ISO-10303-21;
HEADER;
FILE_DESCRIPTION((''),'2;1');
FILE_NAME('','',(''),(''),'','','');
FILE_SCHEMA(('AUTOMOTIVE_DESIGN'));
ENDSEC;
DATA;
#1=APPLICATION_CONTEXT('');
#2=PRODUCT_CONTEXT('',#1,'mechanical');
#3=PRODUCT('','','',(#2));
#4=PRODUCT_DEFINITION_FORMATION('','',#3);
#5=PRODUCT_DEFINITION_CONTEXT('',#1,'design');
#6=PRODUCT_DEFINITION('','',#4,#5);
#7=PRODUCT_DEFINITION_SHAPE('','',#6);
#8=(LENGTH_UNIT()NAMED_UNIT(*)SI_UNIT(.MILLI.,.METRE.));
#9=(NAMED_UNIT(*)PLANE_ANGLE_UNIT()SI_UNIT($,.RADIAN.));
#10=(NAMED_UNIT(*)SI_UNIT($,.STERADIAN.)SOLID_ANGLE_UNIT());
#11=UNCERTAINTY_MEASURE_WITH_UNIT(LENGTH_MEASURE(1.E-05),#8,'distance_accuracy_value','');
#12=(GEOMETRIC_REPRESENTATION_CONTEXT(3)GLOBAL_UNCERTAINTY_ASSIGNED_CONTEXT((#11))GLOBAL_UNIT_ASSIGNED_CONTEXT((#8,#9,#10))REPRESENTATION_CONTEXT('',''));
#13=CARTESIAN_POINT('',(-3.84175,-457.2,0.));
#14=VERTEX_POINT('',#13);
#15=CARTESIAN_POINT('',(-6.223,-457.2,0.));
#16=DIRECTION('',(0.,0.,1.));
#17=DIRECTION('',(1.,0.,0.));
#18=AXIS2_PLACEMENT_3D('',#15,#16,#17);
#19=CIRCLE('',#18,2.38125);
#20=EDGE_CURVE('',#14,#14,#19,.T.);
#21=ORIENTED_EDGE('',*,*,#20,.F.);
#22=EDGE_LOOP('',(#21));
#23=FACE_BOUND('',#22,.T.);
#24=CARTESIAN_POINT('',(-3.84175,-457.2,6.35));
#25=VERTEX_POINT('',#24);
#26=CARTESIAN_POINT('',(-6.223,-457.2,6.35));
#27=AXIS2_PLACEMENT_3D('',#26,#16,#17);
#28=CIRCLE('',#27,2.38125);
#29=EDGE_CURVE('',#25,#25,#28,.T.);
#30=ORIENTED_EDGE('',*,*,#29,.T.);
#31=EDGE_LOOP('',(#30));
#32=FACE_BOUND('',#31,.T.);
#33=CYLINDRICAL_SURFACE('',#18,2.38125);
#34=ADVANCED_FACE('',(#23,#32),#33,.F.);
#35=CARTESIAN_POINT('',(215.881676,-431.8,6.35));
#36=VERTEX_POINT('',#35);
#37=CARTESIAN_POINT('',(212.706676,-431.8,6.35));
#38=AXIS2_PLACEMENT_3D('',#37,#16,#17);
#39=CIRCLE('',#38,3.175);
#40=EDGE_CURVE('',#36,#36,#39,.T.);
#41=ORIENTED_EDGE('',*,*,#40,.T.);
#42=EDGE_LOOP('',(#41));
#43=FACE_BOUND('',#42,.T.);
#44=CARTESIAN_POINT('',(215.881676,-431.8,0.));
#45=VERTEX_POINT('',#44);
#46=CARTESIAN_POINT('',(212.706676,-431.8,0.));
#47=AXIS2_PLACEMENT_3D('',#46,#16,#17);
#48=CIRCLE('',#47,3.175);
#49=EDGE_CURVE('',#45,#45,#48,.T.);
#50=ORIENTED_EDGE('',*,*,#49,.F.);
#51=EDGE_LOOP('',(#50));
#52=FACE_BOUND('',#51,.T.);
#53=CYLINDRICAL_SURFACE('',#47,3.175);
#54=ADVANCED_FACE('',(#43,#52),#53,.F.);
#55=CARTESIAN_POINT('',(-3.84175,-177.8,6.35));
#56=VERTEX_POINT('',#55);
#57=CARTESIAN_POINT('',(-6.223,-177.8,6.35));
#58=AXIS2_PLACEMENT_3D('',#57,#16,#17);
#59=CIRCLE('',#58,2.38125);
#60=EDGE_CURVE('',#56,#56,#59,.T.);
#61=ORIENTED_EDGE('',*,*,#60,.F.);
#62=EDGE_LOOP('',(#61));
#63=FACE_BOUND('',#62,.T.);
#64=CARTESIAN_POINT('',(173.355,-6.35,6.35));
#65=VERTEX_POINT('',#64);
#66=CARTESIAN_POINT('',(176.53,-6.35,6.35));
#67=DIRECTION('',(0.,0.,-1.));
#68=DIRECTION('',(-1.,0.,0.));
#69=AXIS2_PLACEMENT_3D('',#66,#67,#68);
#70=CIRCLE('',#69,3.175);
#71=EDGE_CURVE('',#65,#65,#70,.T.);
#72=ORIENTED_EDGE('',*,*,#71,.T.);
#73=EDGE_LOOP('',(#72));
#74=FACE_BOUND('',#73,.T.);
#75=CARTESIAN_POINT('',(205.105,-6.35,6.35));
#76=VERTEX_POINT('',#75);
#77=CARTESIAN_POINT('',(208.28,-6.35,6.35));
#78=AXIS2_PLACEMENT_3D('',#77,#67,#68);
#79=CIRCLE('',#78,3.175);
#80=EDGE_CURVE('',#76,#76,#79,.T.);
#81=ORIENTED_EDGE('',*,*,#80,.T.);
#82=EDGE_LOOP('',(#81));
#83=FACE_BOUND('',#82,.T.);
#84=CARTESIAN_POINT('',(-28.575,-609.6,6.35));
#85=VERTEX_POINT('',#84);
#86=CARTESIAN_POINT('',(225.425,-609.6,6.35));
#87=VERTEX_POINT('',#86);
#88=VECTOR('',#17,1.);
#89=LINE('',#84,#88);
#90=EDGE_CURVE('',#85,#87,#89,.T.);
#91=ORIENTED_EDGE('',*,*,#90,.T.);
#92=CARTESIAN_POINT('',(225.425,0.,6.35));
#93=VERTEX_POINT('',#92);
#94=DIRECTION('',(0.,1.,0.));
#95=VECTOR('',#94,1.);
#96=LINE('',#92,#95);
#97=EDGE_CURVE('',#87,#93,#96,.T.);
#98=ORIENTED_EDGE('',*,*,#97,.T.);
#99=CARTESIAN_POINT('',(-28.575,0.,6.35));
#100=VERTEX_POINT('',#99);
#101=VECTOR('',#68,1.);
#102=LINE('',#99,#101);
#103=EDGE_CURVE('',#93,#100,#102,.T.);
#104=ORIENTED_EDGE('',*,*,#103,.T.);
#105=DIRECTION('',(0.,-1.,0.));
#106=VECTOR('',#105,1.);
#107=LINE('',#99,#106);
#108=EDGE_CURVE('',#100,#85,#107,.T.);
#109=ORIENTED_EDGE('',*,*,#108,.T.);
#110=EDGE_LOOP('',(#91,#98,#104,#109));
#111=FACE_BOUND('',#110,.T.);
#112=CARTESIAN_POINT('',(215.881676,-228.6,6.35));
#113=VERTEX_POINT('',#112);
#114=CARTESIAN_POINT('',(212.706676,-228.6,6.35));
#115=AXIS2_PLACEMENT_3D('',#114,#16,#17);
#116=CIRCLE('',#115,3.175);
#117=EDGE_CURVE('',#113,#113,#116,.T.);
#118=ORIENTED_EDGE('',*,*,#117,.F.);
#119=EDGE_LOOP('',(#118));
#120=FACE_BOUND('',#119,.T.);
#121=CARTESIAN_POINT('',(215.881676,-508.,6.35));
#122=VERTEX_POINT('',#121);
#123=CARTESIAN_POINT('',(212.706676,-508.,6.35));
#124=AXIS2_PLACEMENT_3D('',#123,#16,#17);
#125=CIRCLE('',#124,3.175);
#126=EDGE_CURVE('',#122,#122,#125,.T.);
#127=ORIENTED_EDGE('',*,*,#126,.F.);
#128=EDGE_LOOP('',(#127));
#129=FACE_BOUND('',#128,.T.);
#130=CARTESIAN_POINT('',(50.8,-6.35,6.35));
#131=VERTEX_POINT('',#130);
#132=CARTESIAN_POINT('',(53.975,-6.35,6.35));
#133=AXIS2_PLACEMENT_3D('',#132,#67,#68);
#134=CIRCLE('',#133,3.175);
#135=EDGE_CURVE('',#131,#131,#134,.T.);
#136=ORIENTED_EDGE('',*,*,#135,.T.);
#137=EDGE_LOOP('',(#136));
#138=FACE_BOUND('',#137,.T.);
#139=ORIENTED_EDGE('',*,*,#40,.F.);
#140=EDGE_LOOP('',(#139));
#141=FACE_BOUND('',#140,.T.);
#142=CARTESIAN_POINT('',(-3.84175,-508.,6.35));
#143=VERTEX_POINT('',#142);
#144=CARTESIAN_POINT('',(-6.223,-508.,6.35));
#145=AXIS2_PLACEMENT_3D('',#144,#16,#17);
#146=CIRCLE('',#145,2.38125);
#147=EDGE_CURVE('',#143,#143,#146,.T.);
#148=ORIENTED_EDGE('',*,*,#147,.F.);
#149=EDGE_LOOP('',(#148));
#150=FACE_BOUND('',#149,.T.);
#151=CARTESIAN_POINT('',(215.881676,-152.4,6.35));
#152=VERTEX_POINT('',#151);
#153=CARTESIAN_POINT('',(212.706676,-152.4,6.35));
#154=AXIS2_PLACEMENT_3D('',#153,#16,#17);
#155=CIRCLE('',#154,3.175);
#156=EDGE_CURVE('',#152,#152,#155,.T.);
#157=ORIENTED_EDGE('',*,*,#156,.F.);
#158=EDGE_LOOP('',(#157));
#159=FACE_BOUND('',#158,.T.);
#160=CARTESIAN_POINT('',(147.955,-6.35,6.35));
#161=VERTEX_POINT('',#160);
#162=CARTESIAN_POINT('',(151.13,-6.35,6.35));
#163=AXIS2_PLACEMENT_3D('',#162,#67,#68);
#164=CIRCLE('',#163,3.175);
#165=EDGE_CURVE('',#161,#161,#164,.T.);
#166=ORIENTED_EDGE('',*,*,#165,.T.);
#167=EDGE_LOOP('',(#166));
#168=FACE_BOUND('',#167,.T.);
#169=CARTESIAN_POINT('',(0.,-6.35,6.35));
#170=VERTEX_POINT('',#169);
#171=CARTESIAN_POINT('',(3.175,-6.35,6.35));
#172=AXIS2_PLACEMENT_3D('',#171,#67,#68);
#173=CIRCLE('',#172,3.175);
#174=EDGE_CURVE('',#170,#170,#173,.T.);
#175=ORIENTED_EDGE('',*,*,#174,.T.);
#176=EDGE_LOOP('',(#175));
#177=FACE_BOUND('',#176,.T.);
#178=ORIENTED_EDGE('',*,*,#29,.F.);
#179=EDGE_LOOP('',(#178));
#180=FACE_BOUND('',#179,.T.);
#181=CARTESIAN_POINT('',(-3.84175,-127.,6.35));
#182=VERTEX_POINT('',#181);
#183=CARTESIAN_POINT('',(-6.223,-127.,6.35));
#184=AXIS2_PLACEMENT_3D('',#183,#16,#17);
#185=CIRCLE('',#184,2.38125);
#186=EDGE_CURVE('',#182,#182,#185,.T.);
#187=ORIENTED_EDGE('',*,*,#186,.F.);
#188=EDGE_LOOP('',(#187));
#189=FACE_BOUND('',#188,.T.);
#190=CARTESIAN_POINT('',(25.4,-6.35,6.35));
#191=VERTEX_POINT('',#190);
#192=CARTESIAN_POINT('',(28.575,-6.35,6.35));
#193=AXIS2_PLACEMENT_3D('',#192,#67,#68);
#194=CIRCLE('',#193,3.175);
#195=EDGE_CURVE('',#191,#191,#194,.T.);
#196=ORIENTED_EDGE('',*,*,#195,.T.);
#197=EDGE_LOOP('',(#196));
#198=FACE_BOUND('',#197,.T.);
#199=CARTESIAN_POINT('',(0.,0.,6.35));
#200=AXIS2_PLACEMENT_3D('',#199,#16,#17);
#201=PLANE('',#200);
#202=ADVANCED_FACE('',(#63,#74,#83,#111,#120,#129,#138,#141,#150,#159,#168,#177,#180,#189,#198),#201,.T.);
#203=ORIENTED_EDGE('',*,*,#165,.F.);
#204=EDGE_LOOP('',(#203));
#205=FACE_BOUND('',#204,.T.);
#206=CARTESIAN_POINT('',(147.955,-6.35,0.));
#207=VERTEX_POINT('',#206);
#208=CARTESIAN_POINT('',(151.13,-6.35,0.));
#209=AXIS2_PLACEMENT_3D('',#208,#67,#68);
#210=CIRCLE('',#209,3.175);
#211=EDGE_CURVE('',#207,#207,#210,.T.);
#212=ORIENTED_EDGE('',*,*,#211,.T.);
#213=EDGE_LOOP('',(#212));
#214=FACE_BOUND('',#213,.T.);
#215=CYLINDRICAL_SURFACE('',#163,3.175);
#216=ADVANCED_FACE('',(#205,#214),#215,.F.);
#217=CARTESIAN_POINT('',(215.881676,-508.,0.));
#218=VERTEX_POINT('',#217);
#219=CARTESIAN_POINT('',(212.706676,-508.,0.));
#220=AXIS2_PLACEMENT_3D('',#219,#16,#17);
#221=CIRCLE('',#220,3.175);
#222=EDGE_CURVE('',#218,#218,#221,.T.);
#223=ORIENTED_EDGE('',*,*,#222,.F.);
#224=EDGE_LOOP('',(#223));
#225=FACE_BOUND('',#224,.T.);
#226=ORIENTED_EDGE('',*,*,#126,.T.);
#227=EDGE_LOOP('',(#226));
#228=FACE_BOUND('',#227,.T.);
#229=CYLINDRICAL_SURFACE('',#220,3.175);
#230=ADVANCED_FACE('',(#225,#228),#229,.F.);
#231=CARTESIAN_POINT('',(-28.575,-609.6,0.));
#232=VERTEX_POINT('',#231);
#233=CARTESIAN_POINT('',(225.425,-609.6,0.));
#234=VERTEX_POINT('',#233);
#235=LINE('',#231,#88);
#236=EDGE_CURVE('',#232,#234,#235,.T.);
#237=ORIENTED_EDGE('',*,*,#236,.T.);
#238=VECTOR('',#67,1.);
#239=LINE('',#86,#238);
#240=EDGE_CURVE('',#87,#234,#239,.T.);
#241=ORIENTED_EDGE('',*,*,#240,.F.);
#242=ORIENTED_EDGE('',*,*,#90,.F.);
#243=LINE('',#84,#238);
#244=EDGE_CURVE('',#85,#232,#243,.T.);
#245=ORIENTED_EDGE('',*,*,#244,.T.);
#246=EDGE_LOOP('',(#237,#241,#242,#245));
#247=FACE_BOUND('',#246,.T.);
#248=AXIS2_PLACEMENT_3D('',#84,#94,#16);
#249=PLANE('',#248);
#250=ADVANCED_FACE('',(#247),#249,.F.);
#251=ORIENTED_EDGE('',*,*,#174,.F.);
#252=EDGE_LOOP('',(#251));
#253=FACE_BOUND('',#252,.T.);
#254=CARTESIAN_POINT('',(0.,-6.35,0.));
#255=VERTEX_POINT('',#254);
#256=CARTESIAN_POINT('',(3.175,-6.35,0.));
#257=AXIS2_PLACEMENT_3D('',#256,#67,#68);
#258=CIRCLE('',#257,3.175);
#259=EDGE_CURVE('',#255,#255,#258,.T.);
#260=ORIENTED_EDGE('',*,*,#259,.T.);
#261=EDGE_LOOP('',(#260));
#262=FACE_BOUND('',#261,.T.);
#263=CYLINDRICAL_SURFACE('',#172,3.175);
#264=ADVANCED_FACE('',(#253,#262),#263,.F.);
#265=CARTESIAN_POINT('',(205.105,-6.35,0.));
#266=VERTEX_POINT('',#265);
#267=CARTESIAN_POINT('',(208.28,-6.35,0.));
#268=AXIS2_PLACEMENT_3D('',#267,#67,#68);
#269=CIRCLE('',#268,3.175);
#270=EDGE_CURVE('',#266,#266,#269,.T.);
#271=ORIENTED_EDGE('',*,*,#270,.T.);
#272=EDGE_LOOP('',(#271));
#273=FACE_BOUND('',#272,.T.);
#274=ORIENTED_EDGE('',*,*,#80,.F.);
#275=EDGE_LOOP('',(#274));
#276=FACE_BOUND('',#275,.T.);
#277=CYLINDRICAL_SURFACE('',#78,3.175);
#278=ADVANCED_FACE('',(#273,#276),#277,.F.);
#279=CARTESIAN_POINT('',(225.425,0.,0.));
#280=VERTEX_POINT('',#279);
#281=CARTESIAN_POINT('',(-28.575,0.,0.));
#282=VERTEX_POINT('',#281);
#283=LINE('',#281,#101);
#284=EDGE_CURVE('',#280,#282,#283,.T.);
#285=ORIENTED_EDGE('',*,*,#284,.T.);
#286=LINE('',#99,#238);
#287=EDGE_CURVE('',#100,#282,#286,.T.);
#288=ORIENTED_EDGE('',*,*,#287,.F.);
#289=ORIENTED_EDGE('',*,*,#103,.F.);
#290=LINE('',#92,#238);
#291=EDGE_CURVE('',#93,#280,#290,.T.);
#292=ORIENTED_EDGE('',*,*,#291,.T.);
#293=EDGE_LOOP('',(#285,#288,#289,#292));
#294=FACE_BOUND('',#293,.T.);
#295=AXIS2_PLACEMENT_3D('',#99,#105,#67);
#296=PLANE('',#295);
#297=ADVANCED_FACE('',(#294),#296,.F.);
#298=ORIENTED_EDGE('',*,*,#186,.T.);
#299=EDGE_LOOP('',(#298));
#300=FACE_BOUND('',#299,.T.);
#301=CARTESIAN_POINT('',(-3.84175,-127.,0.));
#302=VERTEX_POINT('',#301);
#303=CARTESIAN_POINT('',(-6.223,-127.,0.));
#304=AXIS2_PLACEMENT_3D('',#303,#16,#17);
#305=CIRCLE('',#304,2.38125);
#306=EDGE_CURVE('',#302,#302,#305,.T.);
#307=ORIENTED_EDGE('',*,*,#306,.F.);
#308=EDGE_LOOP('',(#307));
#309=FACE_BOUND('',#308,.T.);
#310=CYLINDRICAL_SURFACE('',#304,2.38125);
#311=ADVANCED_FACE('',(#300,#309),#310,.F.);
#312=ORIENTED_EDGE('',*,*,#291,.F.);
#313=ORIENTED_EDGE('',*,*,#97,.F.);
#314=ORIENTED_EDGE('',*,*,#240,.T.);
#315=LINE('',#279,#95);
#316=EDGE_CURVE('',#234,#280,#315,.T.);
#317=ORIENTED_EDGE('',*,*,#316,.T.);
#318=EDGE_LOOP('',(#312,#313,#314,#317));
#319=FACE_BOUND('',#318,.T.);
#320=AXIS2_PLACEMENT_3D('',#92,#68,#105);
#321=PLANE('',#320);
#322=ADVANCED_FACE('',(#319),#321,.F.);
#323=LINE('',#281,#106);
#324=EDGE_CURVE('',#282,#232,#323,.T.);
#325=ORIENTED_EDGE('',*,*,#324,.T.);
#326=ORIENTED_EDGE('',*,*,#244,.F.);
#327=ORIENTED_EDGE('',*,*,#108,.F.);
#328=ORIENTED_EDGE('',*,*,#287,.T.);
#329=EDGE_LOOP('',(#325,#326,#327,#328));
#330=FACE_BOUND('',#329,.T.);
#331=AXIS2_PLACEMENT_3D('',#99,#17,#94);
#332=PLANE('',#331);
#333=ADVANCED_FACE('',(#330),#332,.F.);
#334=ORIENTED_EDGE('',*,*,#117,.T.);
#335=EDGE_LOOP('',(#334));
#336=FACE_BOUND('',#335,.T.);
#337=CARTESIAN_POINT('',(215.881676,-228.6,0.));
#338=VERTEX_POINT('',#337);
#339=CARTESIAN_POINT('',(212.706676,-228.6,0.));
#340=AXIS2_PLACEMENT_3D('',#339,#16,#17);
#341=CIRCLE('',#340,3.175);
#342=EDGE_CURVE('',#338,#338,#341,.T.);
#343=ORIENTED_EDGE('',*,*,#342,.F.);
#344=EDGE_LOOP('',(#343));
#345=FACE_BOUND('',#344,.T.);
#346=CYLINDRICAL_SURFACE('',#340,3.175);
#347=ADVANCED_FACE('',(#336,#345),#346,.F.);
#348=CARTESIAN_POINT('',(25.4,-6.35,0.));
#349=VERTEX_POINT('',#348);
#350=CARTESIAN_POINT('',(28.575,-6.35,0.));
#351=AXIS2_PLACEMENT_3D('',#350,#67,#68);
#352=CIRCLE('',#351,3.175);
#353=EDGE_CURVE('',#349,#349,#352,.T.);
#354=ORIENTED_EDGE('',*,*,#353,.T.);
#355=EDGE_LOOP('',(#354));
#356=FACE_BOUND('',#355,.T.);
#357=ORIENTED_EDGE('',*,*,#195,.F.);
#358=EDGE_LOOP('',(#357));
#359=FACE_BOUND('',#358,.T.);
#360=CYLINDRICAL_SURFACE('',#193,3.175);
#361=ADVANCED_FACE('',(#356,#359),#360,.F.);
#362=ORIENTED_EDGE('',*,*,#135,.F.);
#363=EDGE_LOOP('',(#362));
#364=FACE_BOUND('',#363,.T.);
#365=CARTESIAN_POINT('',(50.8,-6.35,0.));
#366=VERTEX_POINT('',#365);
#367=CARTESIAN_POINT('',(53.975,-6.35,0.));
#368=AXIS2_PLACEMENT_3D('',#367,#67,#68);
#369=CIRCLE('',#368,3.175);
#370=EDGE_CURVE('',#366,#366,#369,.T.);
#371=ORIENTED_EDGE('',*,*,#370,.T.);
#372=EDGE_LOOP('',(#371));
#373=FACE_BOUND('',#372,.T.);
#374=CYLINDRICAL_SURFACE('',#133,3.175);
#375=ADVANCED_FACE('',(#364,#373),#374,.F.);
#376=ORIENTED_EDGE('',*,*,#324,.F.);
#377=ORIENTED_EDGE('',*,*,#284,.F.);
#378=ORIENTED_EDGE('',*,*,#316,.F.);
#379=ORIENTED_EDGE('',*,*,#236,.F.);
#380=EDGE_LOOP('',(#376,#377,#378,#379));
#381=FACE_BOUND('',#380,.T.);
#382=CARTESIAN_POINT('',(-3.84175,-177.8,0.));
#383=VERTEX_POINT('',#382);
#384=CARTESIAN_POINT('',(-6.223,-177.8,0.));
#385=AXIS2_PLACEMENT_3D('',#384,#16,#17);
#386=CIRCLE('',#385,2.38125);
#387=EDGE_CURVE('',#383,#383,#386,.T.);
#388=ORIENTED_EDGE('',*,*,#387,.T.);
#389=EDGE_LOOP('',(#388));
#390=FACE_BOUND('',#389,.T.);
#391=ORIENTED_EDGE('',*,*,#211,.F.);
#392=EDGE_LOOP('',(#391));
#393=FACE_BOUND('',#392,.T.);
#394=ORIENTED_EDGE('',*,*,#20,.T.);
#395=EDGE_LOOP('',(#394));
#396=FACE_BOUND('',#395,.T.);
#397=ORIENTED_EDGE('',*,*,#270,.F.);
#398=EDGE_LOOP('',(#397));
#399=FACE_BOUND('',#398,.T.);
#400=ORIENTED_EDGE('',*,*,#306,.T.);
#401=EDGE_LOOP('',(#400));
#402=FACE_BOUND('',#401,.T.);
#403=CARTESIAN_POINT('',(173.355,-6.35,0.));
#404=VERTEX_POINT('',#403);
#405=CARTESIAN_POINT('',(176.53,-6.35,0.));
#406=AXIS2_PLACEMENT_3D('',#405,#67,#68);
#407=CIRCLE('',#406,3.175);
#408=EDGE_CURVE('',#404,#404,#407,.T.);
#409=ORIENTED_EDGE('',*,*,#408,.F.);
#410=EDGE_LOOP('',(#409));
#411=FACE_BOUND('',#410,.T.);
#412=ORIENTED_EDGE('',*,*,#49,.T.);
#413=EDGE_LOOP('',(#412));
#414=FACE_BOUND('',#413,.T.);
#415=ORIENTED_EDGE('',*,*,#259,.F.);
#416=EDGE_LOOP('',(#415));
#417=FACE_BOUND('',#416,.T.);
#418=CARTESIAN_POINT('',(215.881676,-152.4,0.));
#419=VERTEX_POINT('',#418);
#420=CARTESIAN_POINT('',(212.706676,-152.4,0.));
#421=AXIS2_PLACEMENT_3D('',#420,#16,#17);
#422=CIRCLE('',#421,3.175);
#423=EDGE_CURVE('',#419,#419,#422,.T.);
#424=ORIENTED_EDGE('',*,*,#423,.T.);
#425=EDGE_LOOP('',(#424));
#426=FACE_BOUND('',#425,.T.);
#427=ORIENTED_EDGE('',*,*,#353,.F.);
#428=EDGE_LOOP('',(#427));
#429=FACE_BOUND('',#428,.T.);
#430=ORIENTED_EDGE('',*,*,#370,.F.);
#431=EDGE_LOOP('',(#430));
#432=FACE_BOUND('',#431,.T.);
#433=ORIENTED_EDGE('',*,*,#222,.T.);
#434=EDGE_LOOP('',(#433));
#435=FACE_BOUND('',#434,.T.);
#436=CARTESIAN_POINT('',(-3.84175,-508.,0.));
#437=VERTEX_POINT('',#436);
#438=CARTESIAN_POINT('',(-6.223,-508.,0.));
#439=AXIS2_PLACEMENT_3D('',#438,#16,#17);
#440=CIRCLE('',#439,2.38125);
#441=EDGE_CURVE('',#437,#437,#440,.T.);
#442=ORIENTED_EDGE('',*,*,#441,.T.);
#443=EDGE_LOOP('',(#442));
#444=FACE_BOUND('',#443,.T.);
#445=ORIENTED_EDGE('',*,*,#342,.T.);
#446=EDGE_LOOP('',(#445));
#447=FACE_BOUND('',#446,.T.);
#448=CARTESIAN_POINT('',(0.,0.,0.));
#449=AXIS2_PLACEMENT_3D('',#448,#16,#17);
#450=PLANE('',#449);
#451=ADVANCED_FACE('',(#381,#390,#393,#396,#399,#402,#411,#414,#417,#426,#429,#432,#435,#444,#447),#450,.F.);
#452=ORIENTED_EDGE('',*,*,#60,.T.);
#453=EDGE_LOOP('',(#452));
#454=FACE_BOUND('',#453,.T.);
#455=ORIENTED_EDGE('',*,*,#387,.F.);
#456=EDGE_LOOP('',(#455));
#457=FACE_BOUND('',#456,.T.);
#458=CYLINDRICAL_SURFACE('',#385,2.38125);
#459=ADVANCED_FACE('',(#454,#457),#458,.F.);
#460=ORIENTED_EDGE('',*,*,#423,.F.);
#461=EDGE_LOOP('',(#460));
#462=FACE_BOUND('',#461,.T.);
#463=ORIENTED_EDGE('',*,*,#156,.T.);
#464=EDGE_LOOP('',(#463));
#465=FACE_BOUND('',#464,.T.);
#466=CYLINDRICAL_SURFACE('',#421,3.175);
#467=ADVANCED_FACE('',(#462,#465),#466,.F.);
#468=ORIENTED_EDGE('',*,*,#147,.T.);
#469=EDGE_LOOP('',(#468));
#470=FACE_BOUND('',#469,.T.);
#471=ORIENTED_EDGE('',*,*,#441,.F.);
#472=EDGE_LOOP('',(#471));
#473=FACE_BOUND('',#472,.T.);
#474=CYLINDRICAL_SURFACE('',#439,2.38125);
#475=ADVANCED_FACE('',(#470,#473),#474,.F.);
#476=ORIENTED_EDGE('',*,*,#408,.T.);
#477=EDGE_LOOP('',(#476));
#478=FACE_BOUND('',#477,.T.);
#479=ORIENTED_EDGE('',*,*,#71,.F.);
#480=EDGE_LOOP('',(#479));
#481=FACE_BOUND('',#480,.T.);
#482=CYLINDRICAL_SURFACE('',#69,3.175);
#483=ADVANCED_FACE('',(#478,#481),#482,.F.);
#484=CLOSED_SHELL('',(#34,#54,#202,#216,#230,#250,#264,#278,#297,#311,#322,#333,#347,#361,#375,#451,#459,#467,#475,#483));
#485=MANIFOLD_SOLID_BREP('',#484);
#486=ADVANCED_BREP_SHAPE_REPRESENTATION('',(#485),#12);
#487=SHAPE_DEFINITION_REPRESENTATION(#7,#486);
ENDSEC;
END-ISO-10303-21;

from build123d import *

# Parameters (mm, degrees)
SKETCH1_W           = 254
SKETCH1_H           = 609.6
BOSS_EXTRUDE1_DEPTH = 6.35
SKETCH2_R           = 2.38125
CUT_EXTRUDE1_DEPTH  = 7.35
SKETCH3_R           = 3.175
CUT_EXTRUDE2_DEPTH  = 7.35
SKETCH4_R           = 3.175
CUT_EXTRUDE3_DEPTH  = 7.35


with BuildPart() as part:
    # Sketch1 → Boss-Extrude1 (new body)
    with BuildSketch(Plane.XY):
        with Locations((98.425, -304.8)):
            Rectangle(SKETCH1_W, SKETCH1_H)
    extrude(amount=BOSS_EXTRUDE1_DEPTH)

    # Sketch2 → Cut-Extrude1 (cut, through all)
    with BuildSketch(Plane.XY.offset(6.35)):
        with Locations((-6.223, -127)):
            Circle(SKETCH2_R)
        with Locations((-6.223, -177.8)):
            Circle(SKETCH2_R)
        with Locations((-6.223, -457.2)):
            Circle(SKETCH2_R)
        with Locations((-6.223, -508)):
            Circle(SKETCH2_R)
    extrude(amount=-CUT_EXTRUDE1_DEPTH, mode=Mode.SUBTRACT)

    # Sketch3 → Cut-Extrude2 (cut, through all)
    with BuildSketch(Plane(origin=(0, 0, 0), x_dir=(-1, 0, 0), z_dir=(0, 0, -1))):
        with Locations((-208.28, -6.35)):
            Circle(SKETCH3_R)
        with Locations((-176.53, -6.35)):
            Circle(SKETCH3_R)
        with Locations((-151.13, -6.35)):
            Circle(SKETCH3_R)
        with Locations((-53.975, -6.35)):
            Circle(SKETCH3_R)
        with Locations((-28.575, -6.35)):
            Circle(SKETCH3_R)
        with Locations((-3.175, -6.35)):
            Circle(SKETCH3_R)
    extrude(amount=-CUT_EXTRUDE2_DEPTH, mode=Mode.SUBTRACT)

    # Sketch4 → Cut-Extrude3 (cut, through all)
    with BuildSketch(Plane.XY.offset(6.35)):
        with Locations((212.706676403, -431.8)):
            Circle(SKETCH4_R)
        with Locations((212.706676403, -508)):
            Circle(SKETCH4_R)
        with Locations((212.706676403, -228.6)):
            Circle(SKETCH4_R)
        with Locations((212.706676403, -152.4)):
            Circle(SKETCH4_R)
    extrude(amount=-CUT_EXTRUDE3_DEPTH, mode=Mode.SUBTRACT)


solid = part.part
